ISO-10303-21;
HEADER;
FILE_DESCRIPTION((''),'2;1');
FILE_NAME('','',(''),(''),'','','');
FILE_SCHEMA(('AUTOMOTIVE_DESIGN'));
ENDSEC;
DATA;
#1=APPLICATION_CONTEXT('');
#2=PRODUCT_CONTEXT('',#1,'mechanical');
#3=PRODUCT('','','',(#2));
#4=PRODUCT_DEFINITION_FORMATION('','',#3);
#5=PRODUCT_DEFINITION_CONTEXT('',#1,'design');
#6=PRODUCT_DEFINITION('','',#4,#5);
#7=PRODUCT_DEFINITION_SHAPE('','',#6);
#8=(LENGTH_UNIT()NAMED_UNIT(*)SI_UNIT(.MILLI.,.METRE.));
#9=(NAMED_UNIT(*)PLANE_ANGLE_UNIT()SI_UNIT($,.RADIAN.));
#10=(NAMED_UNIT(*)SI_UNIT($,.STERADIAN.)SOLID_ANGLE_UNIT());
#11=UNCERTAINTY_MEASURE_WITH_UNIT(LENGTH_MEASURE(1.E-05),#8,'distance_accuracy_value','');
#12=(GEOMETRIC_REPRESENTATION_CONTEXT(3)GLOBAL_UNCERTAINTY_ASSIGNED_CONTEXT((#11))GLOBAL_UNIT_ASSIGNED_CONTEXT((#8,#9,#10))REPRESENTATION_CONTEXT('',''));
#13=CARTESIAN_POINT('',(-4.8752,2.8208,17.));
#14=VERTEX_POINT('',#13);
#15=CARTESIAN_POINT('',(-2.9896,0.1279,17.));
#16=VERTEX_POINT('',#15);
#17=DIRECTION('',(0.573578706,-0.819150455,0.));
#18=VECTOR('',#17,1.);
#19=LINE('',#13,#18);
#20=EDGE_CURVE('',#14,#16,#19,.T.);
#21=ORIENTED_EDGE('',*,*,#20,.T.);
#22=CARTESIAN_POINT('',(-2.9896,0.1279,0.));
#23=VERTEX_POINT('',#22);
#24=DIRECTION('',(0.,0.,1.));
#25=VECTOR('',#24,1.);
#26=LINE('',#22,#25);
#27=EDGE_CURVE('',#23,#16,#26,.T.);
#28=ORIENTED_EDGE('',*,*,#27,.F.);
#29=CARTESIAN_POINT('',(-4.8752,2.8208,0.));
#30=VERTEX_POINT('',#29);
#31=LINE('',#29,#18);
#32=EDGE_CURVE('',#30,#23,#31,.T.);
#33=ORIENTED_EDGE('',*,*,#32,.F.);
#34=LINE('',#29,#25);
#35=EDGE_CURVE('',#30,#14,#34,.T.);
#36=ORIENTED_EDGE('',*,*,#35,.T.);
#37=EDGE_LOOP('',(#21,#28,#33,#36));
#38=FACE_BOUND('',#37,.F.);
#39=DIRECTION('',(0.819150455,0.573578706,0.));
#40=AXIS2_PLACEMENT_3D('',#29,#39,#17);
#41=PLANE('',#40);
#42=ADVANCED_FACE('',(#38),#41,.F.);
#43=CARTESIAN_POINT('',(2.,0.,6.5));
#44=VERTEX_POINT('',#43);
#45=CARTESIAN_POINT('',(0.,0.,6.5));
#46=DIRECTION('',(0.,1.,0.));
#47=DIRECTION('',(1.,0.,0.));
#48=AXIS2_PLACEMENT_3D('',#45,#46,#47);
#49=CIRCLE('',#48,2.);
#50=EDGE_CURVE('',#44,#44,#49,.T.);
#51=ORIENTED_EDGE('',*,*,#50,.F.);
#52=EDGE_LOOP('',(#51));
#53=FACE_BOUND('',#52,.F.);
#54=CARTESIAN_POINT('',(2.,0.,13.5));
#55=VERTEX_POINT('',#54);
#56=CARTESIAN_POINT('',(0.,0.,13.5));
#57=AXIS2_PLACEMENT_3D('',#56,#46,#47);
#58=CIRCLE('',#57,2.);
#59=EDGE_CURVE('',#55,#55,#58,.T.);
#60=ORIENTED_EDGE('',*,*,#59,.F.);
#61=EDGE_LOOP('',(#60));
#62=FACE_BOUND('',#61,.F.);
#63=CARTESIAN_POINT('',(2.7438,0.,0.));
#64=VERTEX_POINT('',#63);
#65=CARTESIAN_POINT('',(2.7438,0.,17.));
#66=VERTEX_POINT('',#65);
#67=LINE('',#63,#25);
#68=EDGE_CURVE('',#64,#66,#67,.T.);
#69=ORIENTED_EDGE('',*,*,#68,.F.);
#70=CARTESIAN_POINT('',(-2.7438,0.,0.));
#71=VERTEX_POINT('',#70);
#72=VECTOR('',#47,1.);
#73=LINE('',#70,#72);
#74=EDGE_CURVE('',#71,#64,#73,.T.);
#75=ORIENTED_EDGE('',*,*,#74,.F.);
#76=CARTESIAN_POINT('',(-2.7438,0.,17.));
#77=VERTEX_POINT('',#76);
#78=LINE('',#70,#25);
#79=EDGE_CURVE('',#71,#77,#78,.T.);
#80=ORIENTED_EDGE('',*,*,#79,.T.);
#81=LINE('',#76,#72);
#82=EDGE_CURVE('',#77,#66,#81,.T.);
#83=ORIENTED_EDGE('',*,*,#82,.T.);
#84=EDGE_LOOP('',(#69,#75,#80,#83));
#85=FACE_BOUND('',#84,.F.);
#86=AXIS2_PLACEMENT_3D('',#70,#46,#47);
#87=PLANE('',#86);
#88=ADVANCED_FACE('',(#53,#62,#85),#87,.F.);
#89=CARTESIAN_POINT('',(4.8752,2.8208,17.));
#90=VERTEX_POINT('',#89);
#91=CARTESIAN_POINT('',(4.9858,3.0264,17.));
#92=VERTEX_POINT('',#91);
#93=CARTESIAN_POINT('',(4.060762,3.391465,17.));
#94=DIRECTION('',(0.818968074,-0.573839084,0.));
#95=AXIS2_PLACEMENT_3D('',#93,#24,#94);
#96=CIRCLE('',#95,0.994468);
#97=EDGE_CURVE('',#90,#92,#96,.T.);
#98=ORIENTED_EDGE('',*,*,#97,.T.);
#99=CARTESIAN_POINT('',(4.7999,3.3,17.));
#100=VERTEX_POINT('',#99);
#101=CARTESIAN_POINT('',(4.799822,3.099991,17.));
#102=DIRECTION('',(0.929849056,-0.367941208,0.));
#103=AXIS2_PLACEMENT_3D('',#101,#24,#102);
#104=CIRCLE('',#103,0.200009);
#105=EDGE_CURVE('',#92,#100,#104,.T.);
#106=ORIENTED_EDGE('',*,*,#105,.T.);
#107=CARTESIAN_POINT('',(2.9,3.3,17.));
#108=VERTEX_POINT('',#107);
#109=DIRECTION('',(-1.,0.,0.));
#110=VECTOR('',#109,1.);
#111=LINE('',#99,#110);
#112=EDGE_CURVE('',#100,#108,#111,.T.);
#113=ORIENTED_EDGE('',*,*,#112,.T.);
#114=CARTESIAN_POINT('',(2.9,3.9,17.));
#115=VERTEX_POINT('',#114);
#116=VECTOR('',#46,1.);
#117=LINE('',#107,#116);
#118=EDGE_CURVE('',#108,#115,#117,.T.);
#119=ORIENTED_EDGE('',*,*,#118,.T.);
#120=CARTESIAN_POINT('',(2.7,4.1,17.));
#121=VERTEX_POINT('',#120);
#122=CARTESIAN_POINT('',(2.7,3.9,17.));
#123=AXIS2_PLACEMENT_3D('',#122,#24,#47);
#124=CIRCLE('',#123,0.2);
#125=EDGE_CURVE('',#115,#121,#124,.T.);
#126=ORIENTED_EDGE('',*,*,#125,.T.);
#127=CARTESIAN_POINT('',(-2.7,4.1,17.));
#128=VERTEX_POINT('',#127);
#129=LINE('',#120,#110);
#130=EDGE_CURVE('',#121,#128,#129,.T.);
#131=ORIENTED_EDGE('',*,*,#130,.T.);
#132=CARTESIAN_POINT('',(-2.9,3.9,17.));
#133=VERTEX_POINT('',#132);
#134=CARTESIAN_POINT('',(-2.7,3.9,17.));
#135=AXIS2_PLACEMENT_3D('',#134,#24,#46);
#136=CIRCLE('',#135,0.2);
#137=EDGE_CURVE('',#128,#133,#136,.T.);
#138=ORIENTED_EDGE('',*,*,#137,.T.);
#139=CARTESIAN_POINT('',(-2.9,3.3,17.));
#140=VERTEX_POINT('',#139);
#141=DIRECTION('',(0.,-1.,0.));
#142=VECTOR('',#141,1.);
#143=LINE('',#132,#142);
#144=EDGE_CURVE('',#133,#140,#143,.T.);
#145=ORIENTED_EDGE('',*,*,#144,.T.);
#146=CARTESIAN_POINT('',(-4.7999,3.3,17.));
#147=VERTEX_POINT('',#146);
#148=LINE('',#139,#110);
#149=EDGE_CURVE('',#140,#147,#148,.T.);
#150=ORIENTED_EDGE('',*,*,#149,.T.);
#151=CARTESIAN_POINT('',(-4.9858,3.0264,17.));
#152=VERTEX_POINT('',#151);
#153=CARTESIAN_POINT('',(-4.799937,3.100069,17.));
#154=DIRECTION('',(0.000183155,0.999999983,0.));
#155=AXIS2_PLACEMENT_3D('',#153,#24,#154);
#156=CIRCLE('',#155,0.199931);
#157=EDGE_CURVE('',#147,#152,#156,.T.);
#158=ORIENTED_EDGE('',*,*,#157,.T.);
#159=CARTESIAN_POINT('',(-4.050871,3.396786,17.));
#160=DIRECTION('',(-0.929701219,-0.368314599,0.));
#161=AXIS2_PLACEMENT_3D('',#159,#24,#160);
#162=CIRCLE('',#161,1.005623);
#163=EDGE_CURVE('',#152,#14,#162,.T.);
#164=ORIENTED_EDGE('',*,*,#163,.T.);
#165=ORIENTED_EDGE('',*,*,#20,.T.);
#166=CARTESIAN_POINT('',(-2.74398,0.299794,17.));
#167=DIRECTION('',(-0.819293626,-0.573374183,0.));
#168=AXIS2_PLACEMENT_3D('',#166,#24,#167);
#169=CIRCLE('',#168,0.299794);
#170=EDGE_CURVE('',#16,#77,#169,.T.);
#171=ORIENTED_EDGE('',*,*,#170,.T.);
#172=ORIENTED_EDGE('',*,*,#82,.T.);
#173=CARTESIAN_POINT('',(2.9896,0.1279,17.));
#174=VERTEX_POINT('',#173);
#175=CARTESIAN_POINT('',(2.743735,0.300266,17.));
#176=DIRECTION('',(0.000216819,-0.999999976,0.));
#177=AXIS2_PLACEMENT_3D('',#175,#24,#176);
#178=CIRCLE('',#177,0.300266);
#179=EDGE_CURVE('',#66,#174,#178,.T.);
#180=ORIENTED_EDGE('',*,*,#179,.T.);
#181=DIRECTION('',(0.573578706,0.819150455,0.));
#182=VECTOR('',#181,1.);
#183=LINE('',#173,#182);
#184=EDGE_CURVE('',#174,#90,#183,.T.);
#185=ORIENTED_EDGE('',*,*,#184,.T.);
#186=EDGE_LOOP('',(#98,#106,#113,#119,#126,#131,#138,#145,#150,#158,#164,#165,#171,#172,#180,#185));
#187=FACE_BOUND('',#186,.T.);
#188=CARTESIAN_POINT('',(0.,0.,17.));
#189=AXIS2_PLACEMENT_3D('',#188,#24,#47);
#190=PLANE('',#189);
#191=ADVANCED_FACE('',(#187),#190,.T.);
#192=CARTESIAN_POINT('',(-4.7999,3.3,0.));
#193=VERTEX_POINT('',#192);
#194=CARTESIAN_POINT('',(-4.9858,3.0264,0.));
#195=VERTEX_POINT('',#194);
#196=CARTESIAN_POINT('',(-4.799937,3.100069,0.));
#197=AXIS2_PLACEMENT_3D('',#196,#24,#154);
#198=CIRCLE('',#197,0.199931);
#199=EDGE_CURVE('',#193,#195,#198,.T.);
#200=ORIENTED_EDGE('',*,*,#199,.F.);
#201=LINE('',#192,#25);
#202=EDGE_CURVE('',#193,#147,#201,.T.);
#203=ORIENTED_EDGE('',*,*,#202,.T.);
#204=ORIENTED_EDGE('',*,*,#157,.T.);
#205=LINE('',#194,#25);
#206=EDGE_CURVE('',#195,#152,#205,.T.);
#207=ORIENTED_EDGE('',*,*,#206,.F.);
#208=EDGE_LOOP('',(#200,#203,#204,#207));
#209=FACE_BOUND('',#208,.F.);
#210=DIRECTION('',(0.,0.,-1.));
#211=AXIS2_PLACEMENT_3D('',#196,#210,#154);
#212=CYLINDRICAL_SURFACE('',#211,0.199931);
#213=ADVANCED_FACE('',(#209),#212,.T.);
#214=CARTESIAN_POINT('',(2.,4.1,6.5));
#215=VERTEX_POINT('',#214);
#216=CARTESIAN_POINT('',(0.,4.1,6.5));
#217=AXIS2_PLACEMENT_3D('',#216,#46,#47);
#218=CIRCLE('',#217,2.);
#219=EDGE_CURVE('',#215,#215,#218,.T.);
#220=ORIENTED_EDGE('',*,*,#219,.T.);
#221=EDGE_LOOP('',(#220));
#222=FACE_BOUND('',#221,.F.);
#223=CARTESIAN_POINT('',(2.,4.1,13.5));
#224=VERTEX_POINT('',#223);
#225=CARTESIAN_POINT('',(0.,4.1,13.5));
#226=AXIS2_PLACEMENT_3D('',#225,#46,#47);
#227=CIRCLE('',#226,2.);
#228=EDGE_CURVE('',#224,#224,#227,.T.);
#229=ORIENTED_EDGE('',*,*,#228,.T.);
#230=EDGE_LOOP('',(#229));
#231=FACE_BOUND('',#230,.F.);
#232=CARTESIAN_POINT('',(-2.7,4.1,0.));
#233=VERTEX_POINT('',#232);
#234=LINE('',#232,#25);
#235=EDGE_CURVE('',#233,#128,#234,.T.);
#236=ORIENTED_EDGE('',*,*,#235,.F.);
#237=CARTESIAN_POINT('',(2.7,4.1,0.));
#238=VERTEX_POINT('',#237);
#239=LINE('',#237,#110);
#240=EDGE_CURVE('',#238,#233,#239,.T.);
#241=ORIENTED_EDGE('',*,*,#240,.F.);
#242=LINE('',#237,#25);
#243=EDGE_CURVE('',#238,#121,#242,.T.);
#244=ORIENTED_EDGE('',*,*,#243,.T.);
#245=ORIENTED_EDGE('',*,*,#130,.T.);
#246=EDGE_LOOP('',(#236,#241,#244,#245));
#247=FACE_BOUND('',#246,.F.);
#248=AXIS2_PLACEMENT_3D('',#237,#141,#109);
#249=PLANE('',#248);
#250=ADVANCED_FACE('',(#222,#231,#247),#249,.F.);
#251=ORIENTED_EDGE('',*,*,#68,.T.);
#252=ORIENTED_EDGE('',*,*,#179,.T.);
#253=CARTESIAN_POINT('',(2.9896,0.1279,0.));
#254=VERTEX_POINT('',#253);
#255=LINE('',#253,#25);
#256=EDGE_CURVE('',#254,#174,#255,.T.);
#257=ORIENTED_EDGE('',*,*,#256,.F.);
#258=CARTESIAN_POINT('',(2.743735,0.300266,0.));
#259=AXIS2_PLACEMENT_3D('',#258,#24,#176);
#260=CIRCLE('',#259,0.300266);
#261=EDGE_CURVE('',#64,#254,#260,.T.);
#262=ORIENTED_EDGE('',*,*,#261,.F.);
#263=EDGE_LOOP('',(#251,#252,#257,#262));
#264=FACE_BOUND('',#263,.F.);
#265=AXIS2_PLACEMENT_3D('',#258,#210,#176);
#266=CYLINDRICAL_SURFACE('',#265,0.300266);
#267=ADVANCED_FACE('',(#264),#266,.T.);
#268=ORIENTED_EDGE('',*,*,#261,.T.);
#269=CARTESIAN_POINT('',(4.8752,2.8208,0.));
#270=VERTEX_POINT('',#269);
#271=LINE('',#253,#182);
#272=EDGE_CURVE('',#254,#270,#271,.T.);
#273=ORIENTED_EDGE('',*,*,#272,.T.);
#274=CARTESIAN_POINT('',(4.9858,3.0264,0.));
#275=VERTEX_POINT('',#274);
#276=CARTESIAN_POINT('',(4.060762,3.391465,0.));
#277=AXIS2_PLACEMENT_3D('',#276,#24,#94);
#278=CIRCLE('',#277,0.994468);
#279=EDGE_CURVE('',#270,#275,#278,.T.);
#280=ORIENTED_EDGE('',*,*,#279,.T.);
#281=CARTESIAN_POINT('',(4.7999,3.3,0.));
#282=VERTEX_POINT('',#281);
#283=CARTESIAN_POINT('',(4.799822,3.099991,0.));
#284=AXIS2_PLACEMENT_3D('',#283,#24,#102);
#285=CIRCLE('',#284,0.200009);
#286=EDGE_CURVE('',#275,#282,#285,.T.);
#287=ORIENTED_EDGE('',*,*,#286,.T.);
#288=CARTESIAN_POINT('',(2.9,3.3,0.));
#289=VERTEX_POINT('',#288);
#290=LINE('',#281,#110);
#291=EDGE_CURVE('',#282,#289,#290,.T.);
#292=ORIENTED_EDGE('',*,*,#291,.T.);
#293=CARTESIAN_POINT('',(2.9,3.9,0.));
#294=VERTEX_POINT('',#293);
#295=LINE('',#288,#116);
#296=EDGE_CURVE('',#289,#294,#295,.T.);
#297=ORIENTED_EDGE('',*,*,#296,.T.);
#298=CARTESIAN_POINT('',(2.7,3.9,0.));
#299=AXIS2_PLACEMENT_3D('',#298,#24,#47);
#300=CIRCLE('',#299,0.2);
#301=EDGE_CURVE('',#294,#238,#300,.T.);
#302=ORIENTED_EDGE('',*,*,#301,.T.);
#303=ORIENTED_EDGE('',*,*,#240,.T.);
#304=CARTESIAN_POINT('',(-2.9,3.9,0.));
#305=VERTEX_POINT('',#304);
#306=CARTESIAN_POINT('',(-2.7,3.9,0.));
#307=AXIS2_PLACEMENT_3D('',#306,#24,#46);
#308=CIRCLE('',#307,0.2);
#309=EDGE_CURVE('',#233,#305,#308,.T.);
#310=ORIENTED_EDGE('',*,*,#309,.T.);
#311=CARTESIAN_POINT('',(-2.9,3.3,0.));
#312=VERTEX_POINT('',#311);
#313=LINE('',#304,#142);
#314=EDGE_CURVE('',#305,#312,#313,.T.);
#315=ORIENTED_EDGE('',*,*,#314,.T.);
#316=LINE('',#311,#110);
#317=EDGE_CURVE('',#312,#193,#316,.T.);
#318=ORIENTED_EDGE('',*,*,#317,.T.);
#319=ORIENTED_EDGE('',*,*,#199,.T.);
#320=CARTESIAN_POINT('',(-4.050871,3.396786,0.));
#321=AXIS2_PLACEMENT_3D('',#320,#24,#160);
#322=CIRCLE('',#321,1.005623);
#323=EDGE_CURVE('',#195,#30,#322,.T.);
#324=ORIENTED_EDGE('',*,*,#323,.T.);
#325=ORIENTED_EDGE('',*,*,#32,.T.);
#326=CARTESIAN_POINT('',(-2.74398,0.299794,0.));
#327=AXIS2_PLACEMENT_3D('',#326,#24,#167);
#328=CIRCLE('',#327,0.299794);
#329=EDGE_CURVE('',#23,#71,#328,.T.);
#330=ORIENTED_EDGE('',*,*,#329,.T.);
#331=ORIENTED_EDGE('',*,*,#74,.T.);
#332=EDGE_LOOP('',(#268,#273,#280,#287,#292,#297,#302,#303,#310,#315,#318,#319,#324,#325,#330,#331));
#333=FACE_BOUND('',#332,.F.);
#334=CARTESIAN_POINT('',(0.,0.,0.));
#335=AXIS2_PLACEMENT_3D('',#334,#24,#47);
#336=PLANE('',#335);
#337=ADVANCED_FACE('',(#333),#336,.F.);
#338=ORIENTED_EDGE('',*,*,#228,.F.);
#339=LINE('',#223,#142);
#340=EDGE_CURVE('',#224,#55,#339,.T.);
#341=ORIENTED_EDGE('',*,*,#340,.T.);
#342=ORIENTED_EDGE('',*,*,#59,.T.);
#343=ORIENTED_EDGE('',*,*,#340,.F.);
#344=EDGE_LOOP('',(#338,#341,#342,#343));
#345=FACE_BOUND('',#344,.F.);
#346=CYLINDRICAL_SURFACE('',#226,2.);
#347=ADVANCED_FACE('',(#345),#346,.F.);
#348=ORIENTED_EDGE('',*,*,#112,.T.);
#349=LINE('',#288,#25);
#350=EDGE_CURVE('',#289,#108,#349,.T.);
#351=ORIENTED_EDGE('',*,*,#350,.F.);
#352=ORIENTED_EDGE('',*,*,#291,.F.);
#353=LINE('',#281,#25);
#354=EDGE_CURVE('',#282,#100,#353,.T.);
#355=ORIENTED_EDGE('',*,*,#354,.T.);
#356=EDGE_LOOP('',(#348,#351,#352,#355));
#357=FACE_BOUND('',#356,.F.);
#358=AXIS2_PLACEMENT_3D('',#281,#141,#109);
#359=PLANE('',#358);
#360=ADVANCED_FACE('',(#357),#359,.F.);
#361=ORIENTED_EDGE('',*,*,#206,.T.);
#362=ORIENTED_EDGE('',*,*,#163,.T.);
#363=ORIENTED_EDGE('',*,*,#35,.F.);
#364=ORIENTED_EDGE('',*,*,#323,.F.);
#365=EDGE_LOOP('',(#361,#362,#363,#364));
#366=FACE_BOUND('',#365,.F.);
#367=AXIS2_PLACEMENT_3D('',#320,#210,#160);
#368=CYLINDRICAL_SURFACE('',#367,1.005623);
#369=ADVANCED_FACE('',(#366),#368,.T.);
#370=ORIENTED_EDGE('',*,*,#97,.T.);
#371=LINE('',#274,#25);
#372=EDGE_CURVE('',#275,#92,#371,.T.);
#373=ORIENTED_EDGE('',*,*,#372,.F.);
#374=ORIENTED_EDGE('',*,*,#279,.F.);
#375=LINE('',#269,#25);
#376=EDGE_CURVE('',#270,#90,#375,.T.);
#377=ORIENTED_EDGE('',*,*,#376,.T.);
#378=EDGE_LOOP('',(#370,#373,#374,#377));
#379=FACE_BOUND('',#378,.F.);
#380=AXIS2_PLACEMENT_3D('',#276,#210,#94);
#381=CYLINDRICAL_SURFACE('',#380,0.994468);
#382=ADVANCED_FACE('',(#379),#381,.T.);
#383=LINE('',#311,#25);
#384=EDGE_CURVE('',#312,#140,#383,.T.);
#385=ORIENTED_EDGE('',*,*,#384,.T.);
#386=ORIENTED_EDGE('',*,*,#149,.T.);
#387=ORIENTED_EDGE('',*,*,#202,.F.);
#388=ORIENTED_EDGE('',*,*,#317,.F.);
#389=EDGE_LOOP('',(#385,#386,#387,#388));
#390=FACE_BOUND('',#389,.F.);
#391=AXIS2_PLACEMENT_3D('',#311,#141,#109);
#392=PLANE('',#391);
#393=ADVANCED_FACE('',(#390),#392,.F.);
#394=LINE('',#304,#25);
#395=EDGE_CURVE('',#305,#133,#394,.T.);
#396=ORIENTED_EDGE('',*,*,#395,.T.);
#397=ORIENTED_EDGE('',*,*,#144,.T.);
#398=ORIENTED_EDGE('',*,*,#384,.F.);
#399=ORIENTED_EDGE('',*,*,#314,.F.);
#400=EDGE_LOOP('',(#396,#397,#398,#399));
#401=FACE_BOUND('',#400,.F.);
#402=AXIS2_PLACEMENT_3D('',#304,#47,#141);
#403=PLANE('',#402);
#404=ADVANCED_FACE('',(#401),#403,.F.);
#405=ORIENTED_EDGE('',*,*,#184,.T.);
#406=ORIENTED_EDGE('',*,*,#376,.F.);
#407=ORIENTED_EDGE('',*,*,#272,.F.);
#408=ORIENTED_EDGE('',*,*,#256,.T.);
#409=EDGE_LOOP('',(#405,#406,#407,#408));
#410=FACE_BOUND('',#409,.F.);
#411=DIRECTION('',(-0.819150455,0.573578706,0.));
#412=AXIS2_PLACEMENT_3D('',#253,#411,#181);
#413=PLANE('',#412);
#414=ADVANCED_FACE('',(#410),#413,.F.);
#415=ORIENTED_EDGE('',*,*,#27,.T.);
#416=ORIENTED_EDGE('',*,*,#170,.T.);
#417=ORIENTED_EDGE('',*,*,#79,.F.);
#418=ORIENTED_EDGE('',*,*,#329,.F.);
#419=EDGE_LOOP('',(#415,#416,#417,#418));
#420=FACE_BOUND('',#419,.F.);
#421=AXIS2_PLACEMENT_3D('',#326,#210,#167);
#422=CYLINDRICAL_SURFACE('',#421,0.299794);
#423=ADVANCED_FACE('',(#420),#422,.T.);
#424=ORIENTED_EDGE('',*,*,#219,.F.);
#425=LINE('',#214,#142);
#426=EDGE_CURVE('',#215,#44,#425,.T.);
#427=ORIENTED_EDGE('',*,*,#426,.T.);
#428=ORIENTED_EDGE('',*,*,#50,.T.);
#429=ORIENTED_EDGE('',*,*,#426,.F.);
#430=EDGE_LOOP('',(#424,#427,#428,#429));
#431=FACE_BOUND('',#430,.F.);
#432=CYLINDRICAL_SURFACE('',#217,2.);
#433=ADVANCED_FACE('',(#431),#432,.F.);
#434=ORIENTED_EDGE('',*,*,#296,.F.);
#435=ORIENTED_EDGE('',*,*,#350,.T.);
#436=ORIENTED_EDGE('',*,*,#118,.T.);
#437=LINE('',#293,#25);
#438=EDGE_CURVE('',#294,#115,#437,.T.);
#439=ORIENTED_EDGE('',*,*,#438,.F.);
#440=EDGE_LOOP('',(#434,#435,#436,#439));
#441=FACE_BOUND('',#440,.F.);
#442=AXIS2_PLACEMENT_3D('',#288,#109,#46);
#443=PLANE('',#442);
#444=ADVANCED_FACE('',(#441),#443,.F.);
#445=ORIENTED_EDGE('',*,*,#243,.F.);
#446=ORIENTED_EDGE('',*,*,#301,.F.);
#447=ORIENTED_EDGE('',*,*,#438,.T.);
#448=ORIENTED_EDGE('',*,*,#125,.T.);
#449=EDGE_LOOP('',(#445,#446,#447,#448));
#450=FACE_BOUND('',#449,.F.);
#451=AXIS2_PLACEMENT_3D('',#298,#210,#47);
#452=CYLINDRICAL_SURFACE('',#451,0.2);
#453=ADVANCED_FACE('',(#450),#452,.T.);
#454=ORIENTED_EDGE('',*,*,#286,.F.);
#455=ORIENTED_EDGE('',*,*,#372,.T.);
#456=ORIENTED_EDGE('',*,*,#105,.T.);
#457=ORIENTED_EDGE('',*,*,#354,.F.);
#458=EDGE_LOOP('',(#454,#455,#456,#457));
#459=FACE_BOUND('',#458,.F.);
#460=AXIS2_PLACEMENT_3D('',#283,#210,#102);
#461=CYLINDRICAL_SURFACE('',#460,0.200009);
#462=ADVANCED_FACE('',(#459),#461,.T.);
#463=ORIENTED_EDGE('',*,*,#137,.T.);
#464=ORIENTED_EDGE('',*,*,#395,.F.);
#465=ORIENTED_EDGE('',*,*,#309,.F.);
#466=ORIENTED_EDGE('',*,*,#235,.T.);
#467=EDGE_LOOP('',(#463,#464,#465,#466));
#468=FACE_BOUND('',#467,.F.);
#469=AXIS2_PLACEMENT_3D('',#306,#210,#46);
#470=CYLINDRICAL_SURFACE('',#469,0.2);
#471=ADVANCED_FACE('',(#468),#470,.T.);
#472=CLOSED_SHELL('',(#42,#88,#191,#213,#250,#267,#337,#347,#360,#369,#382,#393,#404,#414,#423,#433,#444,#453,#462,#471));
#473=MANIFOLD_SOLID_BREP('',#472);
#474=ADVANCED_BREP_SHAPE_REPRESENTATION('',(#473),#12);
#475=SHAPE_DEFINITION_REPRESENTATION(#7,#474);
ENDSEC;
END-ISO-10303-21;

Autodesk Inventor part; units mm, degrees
ref_plane "YZ Plane" through (0, 0, 0) normal (1, 0, 0) x (0, 1, 0)
ref_plane "XZ Plane" through (0, 0, 0) normal (0, 1, 0) x (-1, 0, 0)
ref_plane "XY Plane" through (0, 0, 0) normal (0, 0, 1) x (1, 0, 0)
sketch "Sketch_1" plane through (0, 0, 0) normal (0, 0, 1) x (1, 0, 0)
  arc A0 (-4.7999, 3.3) -> (-4.9858, 3.0264) centre (-4.7999, 3.1) ccw
  arc A1 (-4.9858, 3.0264) -> (-4.8752, 2.8208) centre (-4.056, 3.3944) ccw
  line L0 (-4.8752, 2.8208) -> (-2.9896, 0.1279)
  arc A2 (-2.9896, 0.1279) -> (-2.7438, 0) centre (-2.7438, 0.3) ccw
  line L1 (-2.7438, 0) -> (2.7438, 0)
  arc A3 (2.7438, 0) -> (2.9896, 0.1279) centre (2.7438, 0.3) ccw
  line L2 (2.9896, 0.1279) -> (4.8752, 2.8208)
  arc A4 (4.8752, 2.8208) -> (4.9858, 3.0264) centre (4.056, 3.3944) ccw
  arc A5 (4.9858, 3.0264) -> (4.7999, 3.3) centre (4.7999, 3.1) ccw
  line L3 (4.7999, 3.3) -> (2.9, 3.3)
  line L4 (2.9, 3.3) -> (2.9, 3.9)
  arc A6 (2.9, 3.9) -> (2.7, 4.1) centre (2.7, 3.9) ccw
  line L5 (2.7, 4.1) -> (-2.7, 4.1)
  arc A7 (-2.7, 4.1) -> (-2.9, 3.9) centre (-2.7, 3.9) ccw
  line L6 (-2.9, 3.9) -> (-2.9, 3.3)
  line L7 (-2.9, 3.3) -> (-4.7999, 3.3)
extrude "Extrusion1" add sketch "Sketch_1" along normal blind 17
sketch "Sketch3" plane through (-2.7, 4.1, 0) normal (0, 1, 0) x (1, 0, 0)
  line L0 (0, -17) -> (5.4, -17) projected
  line L1 (5.4, 0) -> (5.4, -17) projected
  line L2 (5.4, 0) -> (0, 0) projected
  circle A0 centre (2.7, -6.5) radius 2
  circle A1 centre (2.7, -13.5) radius 2
  point P0 (2.7, 0)
  dimension "d5" = 4
  dimension "d6" = 6.5
  dimension "d7" = 2.7
  dimension "d8" = 3.5
  dimension "d9" = 4
extrude "Extrusion2" cut sketch "Sketch3" against normal up to next
thread "Thread2" size "M4x0.7" class "6H" standard "ANSI Metric M Profile" full length
thread "Thread3" size "M4x0.7" class "6H" standard "ANSI Metric M Profile" full length
properties part number "ExtrusionNutLockHNTR5-4"
